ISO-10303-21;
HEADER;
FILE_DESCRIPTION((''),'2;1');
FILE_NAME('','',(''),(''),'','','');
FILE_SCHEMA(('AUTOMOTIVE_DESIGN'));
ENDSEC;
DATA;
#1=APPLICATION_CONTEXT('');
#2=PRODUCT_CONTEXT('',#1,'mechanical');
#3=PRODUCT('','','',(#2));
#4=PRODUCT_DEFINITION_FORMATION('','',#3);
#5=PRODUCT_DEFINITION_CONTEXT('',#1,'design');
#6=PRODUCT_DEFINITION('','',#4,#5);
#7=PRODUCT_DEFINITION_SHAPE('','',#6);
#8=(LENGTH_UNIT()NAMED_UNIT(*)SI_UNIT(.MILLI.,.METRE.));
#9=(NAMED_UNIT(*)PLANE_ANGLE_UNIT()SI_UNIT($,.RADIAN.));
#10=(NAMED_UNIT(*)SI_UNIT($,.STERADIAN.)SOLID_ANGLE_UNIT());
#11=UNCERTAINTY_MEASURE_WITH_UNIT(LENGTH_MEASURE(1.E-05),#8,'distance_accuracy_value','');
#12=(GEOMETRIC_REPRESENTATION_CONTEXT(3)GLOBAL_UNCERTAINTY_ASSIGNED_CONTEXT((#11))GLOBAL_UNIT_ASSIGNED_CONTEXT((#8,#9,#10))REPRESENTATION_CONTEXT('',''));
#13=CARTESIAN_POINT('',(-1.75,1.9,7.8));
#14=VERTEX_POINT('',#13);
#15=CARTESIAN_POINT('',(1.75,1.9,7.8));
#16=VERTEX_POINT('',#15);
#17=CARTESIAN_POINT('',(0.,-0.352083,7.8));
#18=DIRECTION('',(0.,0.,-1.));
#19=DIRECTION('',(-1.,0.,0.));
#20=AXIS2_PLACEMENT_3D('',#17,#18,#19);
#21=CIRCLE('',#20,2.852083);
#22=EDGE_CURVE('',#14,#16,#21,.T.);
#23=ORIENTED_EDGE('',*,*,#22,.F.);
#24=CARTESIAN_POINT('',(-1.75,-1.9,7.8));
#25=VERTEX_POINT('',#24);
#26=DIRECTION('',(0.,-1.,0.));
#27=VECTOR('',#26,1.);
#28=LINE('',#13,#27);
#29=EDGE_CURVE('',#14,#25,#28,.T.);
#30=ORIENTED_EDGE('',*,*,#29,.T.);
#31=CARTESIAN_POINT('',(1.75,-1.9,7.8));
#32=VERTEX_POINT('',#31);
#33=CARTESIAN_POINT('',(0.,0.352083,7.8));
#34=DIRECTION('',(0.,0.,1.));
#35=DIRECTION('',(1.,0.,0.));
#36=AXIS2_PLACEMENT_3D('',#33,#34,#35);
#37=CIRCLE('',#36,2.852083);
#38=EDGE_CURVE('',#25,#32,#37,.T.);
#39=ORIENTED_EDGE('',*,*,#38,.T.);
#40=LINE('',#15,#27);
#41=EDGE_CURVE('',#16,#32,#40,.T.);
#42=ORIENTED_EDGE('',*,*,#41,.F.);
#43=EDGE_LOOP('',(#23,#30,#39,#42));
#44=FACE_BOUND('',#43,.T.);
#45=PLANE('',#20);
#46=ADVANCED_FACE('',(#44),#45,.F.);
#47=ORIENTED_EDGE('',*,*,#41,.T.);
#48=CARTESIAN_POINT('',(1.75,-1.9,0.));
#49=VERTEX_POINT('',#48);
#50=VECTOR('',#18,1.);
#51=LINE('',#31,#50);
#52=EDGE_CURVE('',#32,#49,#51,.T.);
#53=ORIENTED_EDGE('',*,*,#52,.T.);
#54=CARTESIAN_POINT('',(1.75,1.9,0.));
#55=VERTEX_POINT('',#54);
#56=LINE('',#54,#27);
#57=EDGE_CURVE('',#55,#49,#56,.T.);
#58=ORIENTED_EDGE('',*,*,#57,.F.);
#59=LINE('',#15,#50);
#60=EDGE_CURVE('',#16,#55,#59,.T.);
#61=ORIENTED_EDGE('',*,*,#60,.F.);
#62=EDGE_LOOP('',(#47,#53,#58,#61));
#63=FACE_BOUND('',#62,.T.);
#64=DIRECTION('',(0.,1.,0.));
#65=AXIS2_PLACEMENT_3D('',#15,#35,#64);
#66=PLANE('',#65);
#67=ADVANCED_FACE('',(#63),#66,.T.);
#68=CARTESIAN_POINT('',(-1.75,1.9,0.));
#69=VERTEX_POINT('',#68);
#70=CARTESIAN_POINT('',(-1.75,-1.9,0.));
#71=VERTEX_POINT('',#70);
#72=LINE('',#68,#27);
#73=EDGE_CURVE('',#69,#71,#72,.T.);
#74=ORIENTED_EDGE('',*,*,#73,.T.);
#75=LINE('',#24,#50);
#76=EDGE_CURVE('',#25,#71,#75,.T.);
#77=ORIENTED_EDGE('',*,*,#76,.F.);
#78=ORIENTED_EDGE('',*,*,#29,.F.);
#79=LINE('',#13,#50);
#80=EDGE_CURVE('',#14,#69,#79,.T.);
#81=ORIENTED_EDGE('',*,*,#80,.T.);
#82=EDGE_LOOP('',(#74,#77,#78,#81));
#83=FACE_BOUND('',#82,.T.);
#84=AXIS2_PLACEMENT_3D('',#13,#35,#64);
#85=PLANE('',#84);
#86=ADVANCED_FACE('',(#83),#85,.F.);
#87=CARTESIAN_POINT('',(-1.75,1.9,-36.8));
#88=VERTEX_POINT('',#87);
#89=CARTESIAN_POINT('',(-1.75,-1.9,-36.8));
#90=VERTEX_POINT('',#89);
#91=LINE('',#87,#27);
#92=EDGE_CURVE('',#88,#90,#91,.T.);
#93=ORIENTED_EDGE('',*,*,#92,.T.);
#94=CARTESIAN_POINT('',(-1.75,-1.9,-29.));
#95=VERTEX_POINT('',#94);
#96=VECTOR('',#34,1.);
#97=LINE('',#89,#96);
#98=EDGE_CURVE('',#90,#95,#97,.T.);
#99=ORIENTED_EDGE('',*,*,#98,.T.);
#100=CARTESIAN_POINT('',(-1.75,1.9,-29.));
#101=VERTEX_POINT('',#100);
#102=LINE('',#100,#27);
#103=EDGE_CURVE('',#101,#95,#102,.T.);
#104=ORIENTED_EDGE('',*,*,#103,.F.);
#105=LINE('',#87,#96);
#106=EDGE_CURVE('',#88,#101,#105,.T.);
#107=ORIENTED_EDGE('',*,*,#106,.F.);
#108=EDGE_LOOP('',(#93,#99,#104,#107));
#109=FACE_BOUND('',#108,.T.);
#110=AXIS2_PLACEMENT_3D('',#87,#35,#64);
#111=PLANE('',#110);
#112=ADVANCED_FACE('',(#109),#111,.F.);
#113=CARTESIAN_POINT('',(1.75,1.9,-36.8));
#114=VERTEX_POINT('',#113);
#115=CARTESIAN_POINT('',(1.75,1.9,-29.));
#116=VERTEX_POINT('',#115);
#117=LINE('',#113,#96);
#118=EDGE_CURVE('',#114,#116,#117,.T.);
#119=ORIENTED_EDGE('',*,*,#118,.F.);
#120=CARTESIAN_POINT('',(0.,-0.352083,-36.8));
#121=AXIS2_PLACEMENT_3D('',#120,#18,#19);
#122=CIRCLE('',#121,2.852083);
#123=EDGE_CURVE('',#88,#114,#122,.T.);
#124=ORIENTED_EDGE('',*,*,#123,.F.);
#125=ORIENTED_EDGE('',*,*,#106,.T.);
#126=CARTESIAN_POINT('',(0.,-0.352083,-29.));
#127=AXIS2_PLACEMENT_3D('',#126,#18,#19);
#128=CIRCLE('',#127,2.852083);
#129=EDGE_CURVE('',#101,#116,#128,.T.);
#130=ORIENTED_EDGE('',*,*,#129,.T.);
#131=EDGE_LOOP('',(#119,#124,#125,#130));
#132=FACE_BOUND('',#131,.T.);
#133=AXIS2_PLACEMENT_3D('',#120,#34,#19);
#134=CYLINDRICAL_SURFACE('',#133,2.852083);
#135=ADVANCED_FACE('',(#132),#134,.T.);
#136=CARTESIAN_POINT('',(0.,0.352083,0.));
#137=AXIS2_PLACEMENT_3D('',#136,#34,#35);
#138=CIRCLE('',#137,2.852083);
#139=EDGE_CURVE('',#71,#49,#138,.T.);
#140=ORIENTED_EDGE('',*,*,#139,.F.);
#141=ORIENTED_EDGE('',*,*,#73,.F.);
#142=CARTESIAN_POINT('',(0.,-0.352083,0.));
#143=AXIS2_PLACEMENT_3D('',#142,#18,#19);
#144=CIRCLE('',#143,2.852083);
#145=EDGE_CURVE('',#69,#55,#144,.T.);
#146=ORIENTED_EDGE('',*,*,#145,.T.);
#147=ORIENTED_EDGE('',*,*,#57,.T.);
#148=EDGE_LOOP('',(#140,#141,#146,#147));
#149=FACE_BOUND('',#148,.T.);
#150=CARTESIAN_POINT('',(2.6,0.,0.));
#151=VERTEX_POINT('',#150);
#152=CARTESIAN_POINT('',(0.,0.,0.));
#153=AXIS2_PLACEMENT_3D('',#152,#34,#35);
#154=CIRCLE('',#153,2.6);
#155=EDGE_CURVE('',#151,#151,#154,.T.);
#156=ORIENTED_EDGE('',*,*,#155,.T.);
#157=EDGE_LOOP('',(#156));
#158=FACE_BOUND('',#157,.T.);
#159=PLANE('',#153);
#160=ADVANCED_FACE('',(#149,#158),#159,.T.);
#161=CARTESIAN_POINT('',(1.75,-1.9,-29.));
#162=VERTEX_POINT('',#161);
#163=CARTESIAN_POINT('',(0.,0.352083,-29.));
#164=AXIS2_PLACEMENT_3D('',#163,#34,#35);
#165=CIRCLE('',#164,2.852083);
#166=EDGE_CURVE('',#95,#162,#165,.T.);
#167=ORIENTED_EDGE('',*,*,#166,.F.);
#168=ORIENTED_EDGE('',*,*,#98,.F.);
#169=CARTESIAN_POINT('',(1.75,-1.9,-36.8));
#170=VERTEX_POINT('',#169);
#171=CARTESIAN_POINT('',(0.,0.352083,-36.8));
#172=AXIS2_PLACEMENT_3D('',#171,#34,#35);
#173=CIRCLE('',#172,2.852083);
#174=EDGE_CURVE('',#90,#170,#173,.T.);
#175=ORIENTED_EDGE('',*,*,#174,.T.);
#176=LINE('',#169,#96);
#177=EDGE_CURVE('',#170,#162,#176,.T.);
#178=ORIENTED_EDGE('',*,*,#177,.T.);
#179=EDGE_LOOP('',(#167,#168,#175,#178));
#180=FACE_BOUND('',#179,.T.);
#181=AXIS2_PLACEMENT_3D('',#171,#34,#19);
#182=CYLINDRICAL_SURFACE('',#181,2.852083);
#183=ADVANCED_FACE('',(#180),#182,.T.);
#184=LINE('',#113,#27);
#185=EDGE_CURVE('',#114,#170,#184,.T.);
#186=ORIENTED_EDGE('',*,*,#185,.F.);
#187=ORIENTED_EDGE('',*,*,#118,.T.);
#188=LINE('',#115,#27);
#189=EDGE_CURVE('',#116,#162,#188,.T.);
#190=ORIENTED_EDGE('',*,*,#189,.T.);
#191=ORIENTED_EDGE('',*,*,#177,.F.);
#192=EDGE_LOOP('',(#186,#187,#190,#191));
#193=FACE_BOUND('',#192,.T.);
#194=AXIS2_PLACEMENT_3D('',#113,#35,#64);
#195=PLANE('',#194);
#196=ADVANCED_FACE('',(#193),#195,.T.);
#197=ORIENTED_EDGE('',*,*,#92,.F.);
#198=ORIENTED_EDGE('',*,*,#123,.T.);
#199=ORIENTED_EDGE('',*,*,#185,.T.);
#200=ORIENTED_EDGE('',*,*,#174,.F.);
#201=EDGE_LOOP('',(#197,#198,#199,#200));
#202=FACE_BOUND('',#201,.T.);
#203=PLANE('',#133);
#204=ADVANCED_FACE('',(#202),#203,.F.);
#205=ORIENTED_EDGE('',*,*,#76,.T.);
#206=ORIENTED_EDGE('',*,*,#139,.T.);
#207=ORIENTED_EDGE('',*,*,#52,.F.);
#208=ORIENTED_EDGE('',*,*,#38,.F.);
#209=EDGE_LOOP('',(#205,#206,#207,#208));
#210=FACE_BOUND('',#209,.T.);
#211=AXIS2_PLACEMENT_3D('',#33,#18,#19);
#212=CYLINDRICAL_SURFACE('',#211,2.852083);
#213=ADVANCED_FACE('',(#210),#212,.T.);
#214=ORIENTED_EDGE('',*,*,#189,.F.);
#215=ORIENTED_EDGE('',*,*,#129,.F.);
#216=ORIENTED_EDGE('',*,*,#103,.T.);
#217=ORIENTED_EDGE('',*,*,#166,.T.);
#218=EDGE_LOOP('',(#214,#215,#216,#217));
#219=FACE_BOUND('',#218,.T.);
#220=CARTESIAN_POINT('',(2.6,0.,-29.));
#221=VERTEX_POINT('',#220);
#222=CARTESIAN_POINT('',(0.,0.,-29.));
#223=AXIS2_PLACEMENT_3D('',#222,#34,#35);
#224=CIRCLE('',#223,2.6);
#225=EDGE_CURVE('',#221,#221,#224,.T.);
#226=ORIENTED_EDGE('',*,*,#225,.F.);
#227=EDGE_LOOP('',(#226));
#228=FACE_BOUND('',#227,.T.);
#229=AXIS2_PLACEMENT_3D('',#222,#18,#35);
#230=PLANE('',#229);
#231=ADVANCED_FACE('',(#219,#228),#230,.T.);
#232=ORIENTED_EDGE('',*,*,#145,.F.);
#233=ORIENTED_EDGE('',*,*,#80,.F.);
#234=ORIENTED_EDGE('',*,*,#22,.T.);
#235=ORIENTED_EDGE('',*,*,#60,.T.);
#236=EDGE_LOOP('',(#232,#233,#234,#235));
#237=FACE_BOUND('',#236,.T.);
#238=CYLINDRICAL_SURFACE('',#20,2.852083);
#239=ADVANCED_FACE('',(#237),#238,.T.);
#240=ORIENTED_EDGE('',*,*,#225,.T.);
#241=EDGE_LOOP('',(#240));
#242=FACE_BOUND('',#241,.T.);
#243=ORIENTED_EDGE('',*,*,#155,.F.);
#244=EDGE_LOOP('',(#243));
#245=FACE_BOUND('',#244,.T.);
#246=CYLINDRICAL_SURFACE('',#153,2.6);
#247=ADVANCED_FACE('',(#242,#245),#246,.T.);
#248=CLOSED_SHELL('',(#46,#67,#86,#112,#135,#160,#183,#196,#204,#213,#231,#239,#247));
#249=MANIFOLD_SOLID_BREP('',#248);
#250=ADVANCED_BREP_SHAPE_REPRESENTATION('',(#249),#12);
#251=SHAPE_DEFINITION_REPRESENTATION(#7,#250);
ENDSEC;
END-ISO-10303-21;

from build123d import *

# Parameters (mm, degrees)
SKETCH_1_W      = 2.6
SKETCH_1_H      = 14.5
EXTRUDE_1_DEPTH = 7.8


with BuildPart() as part:
    # 草图1 → 旋转1 (revolve)
    with BuildSketch(Plane(origin=(0, 0, 0), x_dir=(1, 0, 0), z_dir=(0, 1, 0))):
        with Locations((1.3, 7.25)):
            Rectangle(SKETCH_1_W, SKETCH_1_H)
    revolve(axis=Axis((0, 0, 0), (0, 0, -1)))

    # 草图2 → 凸台-拉伸1 (add)
    with BuildSketch(Plane.XY):
        with BuildLine():
            Line((-1.75, 1.9), (-1.75, -1.9))
            ThreePointArc((-1.75, -1.9), (0, -2.5), (1.75, -1.9))
            Line((1.75, -1.9), (1.75, 1.9))
            ThreePointArc((1.75, 1.9), (0, 2.5), (-1.75, 1.9))
        make_face()
    extrude(amount=EXTRUDE_1_DEPTH)

    # 镜向1: part across plane


with BuildPart() as part_1:
    add(part.part)
    add(part.part.mirror(Plane(origin=(0, 0, -14.5), x_dir=(1, 0, 0), z_dir=(0, 0, -1))))


solid = part_1.part
